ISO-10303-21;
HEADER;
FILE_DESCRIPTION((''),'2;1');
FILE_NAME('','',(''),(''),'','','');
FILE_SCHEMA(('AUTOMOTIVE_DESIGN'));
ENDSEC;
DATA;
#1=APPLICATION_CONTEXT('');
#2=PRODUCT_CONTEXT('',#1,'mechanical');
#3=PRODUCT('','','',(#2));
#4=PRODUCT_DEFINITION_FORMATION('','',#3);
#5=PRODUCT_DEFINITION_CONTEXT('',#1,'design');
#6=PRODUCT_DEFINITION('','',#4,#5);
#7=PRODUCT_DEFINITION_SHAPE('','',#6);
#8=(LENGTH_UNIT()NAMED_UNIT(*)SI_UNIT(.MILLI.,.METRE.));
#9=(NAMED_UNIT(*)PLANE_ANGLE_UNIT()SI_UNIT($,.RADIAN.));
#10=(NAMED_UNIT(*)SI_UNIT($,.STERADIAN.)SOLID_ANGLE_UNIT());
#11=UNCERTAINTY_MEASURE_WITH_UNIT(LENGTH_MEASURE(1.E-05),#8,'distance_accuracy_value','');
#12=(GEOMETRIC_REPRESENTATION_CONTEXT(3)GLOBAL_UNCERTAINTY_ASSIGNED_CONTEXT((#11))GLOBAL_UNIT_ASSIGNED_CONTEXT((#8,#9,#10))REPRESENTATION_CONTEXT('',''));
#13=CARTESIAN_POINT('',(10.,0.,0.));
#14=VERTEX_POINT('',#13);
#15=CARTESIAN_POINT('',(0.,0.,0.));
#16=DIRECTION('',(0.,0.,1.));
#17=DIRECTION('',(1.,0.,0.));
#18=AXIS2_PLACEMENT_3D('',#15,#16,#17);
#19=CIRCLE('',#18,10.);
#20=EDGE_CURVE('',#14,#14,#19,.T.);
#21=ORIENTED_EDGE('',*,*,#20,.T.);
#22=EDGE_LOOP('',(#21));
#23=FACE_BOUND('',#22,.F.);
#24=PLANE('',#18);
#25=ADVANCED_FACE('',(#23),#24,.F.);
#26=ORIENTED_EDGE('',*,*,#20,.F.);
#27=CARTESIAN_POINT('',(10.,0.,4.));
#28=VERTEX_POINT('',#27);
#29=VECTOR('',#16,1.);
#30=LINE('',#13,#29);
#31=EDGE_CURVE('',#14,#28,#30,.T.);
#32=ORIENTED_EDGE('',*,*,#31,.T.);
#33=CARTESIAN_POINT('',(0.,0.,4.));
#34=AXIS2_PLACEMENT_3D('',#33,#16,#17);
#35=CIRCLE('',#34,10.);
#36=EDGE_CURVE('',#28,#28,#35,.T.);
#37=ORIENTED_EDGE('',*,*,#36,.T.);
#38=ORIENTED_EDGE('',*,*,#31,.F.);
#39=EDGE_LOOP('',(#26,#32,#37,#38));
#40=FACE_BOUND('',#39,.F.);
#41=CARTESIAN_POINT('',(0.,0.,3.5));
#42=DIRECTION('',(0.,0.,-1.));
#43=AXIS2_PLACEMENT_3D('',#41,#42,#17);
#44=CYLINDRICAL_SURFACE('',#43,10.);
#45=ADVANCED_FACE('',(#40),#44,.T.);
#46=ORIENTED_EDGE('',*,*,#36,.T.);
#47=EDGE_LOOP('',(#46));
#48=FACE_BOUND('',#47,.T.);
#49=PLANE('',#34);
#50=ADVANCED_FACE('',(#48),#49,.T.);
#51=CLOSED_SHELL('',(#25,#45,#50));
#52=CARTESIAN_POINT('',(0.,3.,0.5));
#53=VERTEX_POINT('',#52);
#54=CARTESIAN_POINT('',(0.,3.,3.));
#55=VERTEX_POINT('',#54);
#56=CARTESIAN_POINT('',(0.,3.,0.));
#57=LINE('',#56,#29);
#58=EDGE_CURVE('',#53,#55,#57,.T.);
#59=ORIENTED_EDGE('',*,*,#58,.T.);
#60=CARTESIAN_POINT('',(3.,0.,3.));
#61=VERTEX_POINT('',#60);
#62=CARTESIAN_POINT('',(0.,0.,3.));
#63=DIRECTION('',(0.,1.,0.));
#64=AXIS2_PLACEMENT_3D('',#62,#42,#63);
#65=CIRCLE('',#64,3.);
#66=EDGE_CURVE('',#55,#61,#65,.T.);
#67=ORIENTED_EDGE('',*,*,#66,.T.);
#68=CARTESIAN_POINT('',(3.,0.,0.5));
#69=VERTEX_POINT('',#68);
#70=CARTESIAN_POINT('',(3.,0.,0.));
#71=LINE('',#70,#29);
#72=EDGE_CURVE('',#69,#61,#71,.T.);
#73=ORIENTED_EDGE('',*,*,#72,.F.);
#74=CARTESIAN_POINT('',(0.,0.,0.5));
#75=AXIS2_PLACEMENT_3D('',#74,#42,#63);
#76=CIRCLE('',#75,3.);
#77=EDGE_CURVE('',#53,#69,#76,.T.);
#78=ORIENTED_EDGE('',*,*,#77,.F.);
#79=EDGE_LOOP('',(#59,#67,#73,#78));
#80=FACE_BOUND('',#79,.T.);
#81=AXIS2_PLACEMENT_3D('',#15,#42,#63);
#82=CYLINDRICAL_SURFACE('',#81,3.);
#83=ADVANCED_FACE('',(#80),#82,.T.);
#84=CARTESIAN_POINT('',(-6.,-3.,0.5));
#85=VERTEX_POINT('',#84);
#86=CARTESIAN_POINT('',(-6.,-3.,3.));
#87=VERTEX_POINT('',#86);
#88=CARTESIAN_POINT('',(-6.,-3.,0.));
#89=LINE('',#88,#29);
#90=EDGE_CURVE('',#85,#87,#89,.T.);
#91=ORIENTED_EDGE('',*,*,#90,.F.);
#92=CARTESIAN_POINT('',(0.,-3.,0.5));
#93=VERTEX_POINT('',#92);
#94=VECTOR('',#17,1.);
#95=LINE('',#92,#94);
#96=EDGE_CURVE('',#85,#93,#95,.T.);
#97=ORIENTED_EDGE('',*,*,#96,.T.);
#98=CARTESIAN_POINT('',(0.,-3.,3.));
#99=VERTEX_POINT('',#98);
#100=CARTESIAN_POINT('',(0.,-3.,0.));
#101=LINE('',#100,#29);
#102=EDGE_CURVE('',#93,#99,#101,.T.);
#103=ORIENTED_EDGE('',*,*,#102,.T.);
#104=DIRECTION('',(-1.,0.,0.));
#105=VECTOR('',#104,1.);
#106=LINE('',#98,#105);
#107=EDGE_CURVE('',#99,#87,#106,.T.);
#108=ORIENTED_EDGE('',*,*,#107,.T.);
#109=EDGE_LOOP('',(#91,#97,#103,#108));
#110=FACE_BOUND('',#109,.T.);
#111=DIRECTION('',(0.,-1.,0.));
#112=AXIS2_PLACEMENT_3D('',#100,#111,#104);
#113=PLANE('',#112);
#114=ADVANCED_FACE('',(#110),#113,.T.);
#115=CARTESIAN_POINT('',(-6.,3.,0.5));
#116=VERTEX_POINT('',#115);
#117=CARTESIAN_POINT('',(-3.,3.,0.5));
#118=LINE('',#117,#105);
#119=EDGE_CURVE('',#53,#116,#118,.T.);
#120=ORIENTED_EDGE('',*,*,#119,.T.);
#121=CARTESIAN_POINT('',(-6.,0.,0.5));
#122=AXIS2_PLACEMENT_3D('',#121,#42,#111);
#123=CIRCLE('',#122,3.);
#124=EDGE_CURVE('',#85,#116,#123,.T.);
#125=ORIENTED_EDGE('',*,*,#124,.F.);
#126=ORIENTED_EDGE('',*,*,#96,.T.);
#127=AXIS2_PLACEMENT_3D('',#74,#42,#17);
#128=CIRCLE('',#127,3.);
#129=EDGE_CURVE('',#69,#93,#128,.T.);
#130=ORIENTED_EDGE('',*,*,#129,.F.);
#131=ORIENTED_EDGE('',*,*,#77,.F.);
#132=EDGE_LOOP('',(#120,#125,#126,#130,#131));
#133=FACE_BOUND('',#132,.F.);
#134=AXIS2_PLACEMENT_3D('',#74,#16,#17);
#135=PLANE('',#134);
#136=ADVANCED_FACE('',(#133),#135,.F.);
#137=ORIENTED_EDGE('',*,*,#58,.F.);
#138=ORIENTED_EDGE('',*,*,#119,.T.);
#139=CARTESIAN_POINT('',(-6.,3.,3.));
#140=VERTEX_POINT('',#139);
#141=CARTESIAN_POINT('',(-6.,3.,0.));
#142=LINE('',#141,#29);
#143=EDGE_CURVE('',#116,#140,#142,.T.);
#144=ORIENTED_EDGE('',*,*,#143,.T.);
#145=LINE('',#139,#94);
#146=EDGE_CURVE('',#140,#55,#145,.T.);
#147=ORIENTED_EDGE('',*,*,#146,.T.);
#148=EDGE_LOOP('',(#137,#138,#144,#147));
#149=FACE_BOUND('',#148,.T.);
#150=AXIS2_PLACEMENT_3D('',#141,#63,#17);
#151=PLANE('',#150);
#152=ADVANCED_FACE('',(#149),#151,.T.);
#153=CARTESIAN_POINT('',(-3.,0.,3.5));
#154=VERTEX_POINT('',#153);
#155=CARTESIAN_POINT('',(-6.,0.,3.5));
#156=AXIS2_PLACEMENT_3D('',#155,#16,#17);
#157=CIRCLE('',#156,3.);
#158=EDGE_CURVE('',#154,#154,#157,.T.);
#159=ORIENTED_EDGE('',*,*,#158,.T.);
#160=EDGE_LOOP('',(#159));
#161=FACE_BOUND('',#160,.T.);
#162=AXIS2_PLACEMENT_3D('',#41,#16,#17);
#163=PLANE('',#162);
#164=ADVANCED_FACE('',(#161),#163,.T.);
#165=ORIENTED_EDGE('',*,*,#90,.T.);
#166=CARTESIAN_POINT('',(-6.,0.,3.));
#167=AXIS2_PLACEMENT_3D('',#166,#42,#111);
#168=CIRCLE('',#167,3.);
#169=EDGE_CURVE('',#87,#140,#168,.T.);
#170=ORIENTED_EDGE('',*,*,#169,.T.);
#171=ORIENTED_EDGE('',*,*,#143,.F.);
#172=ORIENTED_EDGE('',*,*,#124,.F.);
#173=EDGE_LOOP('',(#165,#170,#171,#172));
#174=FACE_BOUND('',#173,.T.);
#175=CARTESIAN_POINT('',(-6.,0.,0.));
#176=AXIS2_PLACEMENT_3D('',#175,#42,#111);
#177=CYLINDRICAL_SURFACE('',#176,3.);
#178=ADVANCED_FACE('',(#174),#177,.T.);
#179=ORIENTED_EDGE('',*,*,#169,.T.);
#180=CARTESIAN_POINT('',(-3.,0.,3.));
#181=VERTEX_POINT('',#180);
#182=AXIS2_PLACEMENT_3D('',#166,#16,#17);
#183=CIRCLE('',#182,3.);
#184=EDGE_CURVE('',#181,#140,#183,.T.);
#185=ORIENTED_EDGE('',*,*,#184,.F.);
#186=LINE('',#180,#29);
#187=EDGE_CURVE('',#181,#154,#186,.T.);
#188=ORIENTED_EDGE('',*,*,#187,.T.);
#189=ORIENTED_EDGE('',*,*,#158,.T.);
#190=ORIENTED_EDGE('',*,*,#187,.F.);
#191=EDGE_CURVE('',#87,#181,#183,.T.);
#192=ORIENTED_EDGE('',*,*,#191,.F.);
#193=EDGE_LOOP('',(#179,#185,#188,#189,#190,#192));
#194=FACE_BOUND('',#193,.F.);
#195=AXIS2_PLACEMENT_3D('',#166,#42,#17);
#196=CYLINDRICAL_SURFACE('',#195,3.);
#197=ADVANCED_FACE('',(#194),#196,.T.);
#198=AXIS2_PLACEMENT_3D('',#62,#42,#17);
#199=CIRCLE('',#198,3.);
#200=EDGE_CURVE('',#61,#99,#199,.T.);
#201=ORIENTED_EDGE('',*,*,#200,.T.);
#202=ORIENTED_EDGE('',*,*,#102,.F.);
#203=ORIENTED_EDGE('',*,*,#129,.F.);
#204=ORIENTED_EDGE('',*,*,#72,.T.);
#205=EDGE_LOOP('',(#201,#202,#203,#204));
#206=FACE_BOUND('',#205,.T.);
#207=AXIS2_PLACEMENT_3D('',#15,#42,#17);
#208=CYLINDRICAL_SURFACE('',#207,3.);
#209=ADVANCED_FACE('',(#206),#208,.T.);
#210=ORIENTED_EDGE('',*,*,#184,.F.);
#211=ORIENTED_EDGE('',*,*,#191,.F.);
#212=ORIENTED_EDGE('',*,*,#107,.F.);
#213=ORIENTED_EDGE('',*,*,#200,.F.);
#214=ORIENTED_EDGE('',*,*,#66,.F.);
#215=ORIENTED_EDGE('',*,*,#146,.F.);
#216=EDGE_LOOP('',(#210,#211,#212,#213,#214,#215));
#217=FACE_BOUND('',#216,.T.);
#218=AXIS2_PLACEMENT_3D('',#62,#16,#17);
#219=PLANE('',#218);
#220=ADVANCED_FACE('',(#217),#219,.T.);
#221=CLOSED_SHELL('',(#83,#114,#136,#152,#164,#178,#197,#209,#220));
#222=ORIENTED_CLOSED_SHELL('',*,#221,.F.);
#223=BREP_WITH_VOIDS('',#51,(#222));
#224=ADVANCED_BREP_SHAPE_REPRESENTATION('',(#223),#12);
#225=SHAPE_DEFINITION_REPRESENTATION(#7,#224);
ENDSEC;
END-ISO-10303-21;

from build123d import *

# Parameters (mm, degrees)
F0_R     = 10
F1_DEPTH = 0.5
F2_DEPTH = 3
F3_R     = 10
F3_R_2   = 3
F4_DEPTH = 0.5
F5_R     = 10
F6_DEPTH = 0.5


with BuildPart() as f1:
    # F0 (on Top) → F1 (new body)
    with BuildSketch(Plane.XY):
        Circle(F0_R)
        with BuildLine():
            ThreePointArc((0, 3), (2.1213203436, 2.1213203436), (3, 0))
            ThreePointArc((3, 0), (2.1213203436, -2.1213203436), (0, -3))
            Line((0, -3), (-6, -3))
            ThreePointArc((-6, -3), (-9, 0), (-6, 3))
            Line((-6, 3), (0, 3))
        make_face(mode=Mode.SUBTRACT)
        with BuildLine():
            ThreePointArc((-6, -3), (-3.8786796564, -2.1213203436), (-3, 0))
            ThreePointArc((-3, 0), (-3.8786796564, 2.1213203436), (-6, 3))
            ThreePointArc((-6, 3), (-9, 0), (-6, -3))
        make_face()
        with BuildLine():
            ThreePointArc((-3, 0), (-2.1213203436, 2.1213203436), (0, 3))
            Line((0, 3), (-6, 3))
            ThreePointArc((-6, 3), (-3.8786796564, 2.1213203436), (-3, 0))
        make_face()
        with BuildLine():
            Line((-6, -3), (0, -3))
            ThreePointArc((0, -3), (-2.1213203436, -2.1213203436), (-3, 0))
            ThreePointArc((-3, 0), (-3.8786796564, -2.1213203436), (-6, -3))
        make_face()
        with BuildLine():
            ThreePointArc((0, -3), (2.1213203436, -2.1213203436), (3, 0))
            ThreePointArc((3, 0), (2.1213203436, 2.1213203436), (0, 3))
            ThreePointArc((0, 3), (-2.1213203436, 2.1213203436), (-3, 0))
            ThreePointArc((-3, 0), (-2.1213203436, -2.1213203436), (0, -3))
        make_face()
    extrude(amount=F1_DEPTH)

    # F0 (on Top) → F2 (join)
    with BuildSketch(Plane.XY):
        Circle(F0_R)
        with BuildLine():
            ThreePointArc((0, 3), (2.1213203436, 2.1213203436), (3, 0))
            ThreePointArc((3, 0), (2.1213203436, -2.1213203436), (0, -3))
            Line((0, -3), (-6, -3))
            ThreePointArc((-6, -3), (-9, 0), (-6, 3))
            Line((-6, 3), (0, 3))
        make_face(mode=Mode.SUBTRACT)
    extrude(amount=F2_DEPTH)

    # F3 (on face) → F4 (join)
    with BuildSketch(Plane.XY.offset(3)):
        Circle(F3_R)
        with Locations((-6, 0)):
            Circle(F3_R_2, mode=Mode.SUBTRACT)
    extrude(amount=F4_DEPTH)

    # F5 (on face) → F6 (join)
    with BuildSketch(Plane.XY.offset(3.5)):
        Circle(F5_R)
    extrude(amount=F6_DEPTH)


solid = f1.part
